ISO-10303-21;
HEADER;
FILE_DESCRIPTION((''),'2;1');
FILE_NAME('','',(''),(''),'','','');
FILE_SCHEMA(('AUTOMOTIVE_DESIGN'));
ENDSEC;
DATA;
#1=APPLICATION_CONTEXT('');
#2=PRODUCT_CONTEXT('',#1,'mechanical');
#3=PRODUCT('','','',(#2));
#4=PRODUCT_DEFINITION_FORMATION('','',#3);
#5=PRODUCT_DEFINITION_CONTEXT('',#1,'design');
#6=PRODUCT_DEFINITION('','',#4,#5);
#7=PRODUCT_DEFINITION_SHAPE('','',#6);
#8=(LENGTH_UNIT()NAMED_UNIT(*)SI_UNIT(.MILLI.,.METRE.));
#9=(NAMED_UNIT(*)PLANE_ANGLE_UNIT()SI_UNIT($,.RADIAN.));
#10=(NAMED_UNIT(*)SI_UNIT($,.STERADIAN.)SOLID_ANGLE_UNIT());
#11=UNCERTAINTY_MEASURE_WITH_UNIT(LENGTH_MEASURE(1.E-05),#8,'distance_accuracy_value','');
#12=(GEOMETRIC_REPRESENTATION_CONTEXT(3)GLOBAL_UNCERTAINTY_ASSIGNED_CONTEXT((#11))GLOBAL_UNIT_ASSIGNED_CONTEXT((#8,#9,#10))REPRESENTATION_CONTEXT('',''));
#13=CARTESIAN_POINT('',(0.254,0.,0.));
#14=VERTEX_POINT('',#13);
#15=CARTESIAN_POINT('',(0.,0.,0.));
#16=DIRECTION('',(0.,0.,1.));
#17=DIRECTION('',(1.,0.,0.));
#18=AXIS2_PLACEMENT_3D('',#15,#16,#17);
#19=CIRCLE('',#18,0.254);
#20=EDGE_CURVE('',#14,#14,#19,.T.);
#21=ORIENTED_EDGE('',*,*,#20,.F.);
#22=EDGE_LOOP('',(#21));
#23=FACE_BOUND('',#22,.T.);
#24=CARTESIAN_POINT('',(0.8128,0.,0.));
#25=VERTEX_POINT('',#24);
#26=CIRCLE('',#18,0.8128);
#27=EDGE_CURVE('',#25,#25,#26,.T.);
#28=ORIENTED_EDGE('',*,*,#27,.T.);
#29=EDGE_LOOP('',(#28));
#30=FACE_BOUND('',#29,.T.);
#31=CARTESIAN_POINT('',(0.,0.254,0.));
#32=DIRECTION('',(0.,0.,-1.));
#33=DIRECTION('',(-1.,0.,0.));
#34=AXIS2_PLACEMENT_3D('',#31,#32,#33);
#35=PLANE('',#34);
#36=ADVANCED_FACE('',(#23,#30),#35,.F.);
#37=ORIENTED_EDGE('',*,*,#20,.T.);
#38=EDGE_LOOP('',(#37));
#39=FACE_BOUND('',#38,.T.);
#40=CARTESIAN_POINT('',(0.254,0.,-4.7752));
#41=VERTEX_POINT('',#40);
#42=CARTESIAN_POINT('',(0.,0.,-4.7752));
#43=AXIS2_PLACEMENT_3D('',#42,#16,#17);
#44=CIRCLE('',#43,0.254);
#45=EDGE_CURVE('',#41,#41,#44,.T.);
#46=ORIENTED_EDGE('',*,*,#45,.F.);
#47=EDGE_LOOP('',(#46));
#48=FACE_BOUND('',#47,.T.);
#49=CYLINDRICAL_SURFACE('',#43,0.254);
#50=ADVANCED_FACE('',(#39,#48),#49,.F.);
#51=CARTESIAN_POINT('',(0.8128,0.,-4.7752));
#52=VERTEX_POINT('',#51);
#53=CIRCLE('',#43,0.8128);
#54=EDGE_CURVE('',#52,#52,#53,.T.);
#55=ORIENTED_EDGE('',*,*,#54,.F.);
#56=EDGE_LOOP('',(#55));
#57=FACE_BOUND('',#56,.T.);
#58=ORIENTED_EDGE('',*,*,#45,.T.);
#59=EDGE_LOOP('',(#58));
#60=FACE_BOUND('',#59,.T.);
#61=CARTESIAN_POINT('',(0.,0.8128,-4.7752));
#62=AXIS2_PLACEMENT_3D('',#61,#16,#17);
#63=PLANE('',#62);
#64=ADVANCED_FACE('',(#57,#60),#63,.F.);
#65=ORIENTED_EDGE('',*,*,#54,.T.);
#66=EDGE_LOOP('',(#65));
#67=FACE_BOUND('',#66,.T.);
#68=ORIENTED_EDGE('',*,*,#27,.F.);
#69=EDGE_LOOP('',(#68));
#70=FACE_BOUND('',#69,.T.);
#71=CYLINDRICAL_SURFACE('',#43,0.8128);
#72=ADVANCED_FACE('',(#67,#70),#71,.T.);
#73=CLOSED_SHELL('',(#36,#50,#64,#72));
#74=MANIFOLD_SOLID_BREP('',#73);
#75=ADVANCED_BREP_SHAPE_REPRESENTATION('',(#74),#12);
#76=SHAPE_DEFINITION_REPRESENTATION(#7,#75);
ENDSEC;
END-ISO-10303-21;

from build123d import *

# Parameters (mm, degrees)
SKETCH1_W = 4.7752
SKETCH1_H = 0.5588


with BuildPart() as part:
    # Sketch1 → Revolve1 (revolve)
    with BuildSketch(Plane(origin=(0, 0, 0), x_dir=(0, 0, -1), z_dir=(1, 0, 0)), mode=Mode.PRIVATE) as revolve1_sk:
        with Locations((2.3876, 0.5334)):
            Rectangle(SKETCH1_W, SKETCH1_H)
    revolve(revolve1_sk.sketch.rotate(Axis((0, 0, -4.7752), (0, 0, -1)), 90), axis=Axis((0, 0, -4.7752), (0, 0, -1)))


solid = part.part
